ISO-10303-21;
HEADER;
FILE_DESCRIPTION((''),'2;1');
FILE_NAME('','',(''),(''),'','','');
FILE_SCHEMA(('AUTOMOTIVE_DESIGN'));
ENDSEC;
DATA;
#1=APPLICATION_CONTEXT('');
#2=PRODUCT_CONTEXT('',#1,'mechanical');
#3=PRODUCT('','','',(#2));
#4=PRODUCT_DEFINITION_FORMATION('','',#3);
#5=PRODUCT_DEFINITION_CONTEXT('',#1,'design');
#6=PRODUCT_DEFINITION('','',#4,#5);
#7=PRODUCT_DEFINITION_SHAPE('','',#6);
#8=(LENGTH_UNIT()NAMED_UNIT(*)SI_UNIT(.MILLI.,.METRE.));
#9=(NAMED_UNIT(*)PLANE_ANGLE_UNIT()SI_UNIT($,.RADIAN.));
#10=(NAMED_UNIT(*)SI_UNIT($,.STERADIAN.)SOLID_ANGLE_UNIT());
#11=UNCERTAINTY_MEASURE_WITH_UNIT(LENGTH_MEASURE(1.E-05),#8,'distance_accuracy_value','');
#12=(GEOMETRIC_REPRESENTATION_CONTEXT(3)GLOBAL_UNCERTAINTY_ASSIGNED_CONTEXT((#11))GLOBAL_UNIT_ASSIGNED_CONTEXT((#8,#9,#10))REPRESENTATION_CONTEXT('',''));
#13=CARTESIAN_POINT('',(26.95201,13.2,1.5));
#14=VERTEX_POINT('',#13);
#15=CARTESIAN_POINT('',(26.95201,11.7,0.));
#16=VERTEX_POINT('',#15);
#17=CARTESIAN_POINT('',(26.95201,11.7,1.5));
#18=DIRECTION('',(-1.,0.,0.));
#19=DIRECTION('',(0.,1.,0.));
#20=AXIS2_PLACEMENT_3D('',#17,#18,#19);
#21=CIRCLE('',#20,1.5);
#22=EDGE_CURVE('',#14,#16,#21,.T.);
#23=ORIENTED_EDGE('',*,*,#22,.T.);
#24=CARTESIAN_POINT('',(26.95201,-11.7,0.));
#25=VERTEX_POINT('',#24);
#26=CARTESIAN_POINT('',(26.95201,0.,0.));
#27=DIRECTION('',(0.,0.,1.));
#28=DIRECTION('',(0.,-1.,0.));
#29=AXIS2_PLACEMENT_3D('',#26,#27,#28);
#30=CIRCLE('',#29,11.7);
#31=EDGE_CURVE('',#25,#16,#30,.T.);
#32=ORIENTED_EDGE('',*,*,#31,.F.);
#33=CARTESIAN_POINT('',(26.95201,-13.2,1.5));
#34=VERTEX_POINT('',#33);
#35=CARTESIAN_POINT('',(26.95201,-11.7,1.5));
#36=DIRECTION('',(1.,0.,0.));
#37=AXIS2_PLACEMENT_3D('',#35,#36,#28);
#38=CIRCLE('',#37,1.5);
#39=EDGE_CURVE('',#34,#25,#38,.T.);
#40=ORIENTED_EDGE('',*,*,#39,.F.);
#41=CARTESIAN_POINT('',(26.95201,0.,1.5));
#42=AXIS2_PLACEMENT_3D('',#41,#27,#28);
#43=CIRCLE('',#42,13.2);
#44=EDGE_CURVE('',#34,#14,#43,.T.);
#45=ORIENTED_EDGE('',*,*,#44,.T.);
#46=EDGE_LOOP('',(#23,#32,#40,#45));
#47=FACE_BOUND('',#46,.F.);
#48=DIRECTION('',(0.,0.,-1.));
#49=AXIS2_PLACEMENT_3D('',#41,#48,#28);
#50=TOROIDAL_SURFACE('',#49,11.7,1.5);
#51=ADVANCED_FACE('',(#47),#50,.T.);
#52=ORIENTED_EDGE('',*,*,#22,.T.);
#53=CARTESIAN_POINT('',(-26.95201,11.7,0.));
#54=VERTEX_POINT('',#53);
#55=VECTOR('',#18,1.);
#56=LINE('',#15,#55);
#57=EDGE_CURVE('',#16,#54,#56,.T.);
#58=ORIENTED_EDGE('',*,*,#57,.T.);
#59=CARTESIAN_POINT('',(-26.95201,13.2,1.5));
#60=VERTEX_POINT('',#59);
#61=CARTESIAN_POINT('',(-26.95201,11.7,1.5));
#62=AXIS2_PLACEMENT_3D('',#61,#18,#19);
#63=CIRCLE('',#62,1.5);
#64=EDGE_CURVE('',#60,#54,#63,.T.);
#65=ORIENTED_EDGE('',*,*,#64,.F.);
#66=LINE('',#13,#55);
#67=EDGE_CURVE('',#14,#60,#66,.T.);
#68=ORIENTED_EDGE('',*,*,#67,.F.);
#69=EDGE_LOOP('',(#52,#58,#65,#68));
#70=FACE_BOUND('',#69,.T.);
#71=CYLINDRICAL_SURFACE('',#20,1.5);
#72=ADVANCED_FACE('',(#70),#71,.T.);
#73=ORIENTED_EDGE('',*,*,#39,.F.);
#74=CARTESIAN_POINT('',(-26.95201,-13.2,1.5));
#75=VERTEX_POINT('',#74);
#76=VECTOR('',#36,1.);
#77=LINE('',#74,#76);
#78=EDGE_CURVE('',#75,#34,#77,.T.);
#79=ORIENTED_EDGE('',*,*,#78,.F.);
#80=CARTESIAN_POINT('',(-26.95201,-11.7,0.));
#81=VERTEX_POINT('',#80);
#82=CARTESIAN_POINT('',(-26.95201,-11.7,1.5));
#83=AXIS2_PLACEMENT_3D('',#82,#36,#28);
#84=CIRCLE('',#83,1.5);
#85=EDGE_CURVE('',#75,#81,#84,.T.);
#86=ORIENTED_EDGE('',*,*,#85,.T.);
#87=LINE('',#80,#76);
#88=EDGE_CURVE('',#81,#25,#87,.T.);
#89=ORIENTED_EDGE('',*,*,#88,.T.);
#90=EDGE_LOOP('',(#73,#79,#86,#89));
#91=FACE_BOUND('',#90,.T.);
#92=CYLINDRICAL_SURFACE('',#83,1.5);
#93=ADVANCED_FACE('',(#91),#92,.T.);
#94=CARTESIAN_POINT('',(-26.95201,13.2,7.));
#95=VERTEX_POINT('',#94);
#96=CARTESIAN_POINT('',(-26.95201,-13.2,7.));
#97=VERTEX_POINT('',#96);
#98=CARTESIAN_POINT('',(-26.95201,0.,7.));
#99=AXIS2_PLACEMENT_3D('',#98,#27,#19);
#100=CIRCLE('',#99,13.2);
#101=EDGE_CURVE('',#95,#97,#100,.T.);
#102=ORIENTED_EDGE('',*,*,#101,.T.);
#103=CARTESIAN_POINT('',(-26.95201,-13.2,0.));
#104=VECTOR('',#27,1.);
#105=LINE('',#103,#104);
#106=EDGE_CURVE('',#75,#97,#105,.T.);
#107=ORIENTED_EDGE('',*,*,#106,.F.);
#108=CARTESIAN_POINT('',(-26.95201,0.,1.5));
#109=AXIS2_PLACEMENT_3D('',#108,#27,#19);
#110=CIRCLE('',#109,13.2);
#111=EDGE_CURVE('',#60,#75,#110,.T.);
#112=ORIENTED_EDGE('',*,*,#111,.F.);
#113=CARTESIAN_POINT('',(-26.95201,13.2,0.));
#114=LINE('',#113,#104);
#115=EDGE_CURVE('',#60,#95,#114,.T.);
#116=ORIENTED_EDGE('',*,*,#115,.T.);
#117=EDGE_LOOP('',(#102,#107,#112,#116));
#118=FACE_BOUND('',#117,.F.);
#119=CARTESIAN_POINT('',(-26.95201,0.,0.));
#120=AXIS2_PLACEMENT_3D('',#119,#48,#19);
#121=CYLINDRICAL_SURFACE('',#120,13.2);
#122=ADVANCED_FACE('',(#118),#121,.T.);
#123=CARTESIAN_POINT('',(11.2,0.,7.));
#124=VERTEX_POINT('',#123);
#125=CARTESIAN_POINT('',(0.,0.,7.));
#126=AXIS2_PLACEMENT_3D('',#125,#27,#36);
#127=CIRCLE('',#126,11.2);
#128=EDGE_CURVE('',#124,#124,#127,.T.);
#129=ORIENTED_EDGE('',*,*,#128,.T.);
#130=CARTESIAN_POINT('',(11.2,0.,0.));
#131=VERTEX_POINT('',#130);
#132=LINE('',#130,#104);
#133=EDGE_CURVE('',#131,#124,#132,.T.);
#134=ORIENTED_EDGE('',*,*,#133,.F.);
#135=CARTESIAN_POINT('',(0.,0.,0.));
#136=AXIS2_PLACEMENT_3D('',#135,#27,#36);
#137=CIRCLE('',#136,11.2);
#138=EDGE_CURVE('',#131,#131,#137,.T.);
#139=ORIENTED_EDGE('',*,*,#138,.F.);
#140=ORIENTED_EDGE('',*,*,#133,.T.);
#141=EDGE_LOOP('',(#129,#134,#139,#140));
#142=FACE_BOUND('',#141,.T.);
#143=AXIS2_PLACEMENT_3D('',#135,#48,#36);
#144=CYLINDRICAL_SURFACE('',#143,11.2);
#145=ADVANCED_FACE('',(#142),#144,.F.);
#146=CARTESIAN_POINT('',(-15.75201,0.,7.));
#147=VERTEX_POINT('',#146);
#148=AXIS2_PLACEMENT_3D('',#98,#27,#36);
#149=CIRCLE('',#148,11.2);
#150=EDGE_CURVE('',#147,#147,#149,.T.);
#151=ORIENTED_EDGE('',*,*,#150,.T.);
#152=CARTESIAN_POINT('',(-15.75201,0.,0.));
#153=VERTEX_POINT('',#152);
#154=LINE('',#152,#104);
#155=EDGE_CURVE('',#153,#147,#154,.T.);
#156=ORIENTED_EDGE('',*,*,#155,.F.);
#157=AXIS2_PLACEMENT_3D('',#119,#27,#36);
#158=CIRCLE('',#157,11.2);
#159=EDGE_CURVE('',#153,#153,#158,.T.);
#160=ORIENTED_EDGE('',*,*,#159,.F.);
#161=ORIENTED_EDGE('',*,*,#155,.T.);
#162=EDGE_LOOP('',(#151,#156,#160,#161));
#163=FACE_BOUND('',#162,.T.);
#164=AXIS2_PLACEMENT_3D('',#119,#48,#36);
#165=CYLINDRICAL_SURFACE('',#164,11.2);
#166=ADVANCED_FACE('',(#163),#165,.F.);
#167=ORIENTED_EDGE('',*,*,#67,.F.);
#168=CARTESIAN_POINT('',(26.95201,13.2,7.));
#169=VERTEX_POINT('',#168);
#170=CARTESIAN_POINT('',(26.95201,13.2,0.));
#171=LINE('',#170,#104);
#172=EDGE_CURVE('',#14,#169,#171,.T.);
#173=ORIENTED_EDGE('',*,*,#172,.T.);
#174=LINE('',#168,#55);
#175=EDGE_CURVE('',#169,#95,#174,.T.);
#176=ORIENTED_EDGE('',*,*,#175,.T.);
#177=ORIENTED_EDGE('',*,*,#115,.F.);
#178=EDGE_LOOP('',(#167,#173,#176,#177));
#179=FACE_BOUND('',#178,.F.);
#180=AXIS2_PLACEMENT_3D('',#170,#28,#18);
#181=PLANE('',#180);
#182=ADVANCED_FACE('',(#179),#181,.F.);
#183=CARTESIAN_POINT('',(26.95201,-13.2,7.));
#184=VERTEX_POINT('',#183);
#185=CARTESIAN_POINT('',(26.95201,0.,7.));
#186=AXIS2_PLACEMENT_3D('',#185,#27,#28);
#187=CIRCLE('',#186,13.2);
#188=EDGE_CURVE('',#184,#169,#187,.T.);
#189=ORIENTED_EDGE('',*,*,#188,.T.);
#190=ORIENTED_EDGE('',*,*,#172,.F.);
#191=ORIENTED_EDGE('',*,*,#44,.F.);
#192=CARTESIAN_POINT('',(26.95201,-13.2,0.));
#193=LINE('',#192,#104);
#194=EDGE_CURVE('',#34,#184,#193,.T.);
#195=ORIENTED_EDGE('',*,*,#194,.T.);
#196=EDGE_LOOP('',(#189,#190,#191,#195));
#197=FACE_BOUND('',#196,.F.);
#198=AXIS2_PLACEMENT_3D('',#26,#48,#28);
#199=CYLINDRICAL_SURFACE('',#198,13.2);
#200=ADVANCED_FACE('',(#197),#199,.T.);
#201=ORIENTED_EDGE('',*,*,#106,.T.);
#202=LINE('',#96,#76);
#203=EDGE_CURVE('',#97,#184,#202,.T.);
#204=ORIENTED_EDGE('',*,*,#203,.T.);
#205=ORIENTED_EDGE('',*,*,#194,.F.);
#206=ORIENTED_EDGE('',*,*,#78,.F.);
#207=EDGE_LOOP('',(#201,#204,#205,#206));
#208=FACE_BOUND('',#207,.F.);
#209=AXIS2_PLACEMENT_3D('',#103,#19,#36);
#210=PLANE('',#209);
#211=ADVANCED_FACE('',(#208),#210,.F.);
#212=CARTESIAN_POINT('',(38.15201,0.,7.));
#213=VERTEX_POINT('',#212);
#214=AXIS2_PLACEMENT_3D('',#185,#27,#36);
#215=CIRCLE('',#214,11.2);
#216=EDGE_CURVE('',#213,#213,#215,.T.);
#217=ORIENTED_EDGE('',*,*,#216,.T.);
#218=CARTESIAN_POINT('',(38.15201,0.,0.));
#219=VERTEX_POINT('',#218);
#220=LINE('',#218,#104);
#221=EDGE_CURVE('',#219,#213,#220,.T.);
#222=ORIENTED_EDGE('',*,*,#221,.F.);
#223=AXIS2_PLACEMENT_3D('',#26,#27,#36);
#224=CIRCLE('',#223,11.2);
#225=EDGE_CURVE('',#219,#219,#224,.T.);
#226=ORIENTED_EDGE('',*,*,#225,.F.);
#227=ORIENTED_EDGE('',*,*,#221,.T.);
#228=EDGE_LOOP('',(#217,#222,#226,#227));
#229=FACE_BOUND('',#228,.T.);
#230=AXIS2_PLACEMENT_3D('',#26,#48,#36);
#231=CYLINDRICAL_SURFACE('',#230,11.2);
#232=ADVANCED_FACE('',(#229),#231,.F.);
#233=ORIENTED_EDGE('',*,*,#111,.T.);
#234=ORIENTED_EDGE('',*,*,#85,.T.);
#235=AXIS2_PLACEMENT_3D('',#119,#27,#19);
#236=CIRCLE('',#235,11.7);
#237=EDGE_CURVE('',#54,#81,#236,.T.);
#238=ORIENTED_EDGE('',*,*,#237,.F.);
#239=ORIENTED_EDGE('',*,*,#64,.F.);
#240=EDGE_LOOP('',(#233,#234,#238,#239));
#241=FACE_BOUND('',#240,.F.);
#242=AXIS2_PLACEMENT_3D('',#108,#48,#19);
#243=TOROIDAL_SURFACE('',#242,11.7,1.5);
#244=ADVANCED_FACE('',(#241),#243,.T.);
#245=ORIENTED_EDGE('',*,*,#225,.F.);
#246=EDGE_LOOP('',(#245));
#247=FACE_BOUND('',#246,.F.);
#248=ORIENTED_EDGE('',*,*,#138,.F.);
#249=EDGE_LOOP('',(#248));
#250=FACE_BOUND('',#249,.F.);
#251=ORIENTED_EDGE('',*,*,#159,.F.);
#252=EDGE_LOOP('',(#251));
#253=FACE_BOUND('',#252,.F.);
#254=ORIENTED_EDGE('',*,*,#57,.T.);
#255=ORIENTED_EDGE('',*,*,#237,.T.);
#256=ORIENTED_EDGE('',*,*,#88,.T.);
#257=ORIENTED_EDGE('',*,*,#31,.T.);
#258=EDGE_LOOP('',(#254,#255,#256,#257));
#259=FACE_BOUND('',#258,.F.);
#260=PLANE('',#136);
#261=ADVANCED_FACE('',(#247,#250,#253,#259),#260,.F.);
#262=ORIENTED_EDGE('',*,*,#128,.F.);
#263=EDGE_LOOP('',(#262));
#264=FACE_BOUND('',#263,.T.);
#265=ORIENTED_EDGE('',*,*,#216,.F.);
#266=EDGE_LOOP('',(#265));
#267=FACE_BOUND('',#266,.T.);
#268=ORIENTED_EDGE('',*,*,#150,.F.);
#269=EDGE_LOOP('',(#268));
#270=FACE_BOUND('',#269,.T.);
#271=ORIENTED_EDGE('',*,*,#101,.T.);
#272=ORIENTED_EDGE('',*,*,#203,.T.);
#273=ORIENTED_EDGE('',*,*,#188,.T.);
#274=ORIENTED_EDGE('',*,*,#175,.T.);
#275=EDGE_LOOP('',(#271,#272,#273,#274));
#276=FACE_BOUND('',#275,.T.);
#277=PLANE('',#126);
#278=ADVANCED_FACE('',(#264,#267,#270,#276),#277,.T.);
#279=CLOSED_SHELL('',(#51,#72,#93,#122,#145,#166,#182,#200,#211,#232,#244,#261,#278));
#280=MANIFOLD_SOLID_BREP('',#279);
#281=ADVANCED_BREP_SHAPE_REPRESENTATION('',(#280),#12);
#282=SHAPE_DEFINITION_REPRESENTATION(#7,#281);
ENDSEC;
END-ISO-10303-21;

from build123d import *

# Parameters (mm, degrees)
F0_R     = 11.2
F1_DEPTH = 7
F2_R     = 1.5


with BuildPart() as f1:
    # F0 (on Top) → F1 (new body)
    with BuildSketch(Plane.XY):
        with BuildLine():
            Line((0, 13.2), (-26.95201, 13.2))
            ThreePointArc((-26.95201, 13.2), (-40.15201, 0), (-26.95201, -13.2))
            Line((-26.95201, -13.2), (0, -13.2))
            Line((0, -13.2), (26.95201, -13.2))
            ThreePointArc((26.95201, -13.2), (40.15201, 0), (26.95201, 13.2))
            Line((26.95201, 13.2), (0, 13.2))
        make_face()
        with Locations((-26.95201, 0)):
            Circle(F0_R, mode=Mode.SUBTRACT)
        Circle(F0_R, mode=Mode.SUBTRACT)
        with Locations((26.95201, 0)):
            Circle(F0_R, mode=Mode.SUBTRACT)
    extrude(amount=F1_DEPTH)

    # F2
    f2_edges = [f1.edges().sort_by_distance(p)[0] for p in [
        (0, 13.2, 0),
        (-40.15201, 0, 0),
        (0, -13.2, 0),
        (40.15201, 0, 0),
    ]]
    fillet(f2_edges, radius=F2_R)


solid = f1.part
